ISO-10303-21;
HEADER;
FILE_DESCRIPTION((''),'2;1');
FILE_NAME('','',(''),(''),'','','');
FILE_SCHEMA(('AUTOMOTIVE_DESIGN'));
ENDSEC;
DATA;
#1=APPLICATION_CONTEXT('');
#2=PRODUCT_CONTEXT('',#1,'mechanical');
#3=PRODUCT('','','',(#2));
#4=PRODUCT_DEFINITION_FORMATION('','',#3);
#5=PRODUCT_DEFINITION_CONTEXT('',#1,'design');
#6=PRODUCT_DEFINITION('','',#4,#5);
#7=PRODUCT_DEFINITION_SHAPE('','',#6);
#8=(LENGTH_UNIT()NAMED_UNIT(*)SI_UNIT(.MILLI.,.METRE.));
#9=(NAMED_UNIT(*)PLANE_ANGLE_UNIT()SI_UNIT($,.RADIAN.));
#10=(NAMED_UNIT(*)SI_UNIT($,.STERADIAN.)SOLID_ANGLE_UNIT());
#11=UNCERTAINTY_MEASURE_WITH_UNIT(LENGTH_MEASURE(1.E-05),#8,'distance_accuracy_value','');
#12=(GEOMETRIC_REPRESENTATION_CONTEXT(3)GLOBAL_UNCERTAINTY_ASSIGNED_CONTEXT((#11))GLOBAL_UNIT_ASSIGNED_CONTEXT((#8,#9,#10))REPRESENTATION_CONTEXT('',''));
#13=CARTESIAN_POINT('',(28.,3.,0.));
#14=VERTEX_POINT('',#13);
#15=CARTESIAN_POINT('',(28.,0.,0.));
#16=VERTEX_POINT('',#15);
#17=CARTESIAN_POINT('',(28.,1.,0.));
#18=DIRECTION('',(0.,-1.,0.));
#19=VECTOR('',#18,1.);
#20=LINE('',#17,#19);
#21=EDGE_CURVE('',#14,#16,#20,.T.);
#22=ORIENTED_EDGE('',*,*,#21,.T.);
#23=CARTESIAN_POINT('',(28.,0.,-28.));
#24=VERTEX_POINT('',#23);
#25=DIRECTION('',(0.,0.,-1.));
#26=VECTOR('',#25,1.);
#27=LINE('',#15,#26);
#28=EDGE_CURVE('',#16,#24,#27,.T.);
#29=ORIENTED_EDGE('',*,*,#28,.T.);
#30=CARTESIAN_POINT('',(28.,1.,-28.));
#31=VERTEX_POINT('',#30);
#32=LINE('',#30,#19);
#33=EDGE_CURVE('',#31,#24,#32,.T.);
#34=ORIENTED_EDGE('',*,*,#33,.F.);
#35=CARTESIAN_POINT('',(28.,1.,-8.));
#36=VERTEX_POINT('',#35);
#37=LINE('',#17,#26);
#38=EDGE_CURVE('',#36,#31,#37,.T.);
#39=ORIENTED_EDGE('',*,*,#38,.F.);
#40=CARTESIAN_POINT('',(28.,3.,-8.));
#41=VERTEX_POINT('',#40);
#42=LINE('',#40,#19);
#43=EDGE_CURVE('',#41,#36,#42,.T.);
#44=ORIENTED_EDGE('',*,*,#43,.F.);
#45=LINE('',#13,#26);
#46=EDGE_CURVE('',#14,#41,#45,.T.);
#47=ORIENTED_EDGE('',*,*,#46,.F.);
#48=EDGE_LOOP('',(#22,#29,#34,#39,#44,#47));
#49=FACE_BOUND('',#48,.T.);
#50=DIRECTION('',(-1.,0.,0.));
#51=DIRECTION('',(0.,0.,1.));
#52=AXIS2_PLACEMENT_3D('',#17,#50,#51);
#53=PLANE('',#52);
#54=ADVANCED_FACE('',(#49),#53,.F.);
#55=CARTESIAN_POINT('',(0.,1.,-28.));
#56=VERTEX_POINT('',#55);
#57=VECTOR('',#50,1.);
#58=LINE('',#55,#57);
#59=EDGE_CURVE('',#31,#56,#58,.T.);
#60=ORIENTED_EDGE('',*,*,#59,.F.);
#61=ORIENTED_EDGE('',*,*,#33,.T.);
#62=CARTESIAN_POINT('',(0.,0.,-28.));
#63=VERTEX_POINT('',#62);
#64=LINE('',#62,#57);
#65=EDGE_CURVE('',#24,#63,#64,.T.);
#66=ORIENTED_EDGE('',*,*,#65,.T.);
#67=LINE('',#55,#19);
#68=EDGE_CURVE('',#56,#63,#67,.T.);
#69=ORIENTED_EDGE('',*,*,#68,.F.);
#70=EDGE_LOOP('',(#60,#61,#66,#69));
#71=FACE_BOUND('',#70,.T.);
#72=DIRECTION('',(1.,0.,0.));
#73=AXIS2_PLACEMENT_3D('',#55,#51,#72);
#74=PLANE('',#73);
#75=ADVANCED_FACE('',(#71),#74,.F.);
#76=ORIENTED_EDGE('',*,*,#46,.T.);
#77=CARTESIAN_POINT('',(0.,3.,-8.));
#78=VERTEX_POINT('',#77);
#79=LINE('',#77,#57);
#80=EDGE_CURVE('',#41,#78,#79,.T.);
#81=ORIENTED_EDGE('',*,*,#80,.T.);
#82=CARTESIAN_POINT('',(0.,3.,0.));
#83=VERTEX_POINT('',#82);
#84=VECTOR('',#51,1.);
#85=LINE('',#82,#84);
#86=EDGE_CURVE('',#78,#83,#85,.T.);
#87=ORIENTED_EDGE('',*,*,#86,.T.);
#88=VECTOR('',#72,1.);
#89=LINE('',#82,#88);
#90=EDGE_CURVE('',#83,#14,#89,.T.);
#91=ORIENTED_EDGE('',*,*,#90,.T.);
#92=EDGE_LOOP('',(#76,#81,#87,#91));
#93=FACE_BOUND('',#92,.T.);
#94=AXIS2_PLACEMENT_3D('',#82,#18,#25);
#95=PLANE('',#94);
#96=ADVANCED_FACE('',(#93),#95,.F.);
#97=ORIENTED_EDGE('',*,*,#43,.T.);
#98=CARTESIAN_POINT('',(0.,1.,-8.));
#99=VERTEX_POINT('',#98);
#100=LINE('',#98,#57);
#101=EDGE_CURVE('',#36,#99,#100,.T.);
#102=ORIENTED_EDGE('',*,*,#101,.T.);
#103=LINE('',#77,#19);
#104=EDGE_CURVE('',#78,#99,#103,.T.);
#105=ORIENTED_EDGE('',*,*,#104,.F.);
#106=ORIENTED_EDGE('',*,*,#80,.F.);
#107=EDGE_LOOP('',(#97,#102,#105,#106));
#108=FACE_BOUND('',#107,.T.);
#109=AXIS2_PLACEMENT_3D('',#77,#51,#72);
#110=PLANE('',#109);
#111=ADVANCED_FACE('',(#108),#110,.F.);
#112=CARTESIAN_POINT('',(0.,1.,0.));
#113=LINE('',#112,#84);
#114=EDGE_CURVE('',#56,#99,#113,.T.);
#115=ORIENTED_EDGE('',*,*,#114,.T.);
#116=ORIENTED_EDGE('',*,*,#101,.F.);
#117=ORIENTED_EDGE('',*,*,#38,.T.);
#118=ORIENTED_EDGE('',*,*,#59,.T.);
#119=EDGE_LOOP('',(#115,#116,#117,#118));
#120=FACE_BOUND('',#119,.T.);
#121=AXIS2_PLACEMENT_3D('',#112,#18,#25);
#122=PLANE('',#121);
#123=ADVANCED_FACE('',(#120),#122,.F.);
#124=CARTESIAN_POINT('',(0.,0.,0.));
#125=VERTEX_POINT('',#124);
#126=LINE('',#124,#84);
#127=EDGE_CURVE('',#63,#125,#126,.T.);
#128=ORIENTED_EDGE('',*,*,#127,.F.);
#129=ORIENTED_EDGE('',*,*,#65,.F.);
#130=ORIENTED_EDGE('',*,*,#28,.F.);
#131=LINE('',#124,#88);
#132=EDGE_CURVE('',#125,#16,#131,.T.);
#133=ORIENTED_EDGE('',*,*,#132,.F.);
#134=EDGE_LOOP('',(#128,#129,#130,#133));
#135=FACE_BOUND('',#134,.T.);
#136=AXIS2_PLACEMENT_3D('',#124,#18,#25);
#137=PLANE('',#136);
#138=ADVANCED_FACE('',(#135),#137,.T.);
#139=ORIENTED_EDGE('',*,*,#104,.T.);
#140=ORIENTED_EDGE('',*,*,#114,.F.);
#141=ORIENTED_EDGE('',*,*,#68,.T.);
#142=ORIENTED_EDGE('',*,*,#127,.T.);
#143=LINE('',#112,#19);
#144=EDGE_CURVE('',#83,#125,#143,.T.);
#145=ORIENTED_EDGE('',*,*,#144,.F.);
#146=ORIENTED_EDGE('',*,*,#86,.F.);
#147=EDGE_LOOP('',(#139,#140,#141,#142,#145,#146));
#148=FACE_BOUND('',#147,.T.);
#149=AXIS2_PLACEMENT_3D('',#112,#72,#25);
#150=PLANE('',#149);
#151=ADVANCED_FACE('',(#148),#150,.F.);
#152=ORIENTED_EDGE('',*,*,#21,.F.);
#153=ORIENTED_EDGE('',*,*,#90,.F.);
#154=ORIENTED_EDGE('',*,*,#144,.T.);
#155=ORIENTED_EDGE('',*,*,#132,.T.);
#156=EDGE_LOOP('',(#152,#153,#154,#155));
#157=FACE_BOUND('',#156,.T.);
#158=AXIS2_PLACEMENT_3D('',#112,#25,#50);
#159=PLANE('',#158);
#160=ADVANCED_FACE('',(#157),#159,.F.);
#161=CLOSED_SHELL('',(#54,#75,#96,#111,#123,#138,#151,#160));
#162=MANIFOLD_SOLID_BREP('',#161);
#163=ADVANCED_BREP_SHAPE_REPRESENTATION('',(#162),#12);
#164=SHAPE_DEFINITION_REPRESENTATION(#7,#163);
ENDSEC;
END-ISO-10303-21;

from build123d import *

# Parameters (mm, degrees)
SKETCH1_W           = 28
SKETCH1_H           = 28
BOSS_EXTRUDE1_DEPTH = 1
SKETCH2_W           = 28
SKETCH2_H           = 8
BOSS_EXTRUDE2_DEPTH = 2


with BuildPart() as part:
    # Sketch1 → Boss-Extrude1 (new body)
    with BuildSketch(Plane(origin=(0, 0, 0), x_dir=(1, 0, 0), z_dir=(0, 1, 0))):
        with Locations((14, 14)):
            Rectangle(SKETCH1_W, SKETCH1_H)
    extrude(amount=BOSS_EXTRUDE1_DEPTH)

    # Sketch2 → Boss-Extrude2 (add)
    with BuildSketch(Plane(origin=(0, 1, 0), x_dir=(1, 0, 0), z_dir=(0, 1, 0))):
        with Locations((14, 4)):
            Rectangle(SKETCH2_W, SKETCH2_H)
    extrude(amount=BOSS_EXTRUDE2_DEPTH)


solid = part.part
